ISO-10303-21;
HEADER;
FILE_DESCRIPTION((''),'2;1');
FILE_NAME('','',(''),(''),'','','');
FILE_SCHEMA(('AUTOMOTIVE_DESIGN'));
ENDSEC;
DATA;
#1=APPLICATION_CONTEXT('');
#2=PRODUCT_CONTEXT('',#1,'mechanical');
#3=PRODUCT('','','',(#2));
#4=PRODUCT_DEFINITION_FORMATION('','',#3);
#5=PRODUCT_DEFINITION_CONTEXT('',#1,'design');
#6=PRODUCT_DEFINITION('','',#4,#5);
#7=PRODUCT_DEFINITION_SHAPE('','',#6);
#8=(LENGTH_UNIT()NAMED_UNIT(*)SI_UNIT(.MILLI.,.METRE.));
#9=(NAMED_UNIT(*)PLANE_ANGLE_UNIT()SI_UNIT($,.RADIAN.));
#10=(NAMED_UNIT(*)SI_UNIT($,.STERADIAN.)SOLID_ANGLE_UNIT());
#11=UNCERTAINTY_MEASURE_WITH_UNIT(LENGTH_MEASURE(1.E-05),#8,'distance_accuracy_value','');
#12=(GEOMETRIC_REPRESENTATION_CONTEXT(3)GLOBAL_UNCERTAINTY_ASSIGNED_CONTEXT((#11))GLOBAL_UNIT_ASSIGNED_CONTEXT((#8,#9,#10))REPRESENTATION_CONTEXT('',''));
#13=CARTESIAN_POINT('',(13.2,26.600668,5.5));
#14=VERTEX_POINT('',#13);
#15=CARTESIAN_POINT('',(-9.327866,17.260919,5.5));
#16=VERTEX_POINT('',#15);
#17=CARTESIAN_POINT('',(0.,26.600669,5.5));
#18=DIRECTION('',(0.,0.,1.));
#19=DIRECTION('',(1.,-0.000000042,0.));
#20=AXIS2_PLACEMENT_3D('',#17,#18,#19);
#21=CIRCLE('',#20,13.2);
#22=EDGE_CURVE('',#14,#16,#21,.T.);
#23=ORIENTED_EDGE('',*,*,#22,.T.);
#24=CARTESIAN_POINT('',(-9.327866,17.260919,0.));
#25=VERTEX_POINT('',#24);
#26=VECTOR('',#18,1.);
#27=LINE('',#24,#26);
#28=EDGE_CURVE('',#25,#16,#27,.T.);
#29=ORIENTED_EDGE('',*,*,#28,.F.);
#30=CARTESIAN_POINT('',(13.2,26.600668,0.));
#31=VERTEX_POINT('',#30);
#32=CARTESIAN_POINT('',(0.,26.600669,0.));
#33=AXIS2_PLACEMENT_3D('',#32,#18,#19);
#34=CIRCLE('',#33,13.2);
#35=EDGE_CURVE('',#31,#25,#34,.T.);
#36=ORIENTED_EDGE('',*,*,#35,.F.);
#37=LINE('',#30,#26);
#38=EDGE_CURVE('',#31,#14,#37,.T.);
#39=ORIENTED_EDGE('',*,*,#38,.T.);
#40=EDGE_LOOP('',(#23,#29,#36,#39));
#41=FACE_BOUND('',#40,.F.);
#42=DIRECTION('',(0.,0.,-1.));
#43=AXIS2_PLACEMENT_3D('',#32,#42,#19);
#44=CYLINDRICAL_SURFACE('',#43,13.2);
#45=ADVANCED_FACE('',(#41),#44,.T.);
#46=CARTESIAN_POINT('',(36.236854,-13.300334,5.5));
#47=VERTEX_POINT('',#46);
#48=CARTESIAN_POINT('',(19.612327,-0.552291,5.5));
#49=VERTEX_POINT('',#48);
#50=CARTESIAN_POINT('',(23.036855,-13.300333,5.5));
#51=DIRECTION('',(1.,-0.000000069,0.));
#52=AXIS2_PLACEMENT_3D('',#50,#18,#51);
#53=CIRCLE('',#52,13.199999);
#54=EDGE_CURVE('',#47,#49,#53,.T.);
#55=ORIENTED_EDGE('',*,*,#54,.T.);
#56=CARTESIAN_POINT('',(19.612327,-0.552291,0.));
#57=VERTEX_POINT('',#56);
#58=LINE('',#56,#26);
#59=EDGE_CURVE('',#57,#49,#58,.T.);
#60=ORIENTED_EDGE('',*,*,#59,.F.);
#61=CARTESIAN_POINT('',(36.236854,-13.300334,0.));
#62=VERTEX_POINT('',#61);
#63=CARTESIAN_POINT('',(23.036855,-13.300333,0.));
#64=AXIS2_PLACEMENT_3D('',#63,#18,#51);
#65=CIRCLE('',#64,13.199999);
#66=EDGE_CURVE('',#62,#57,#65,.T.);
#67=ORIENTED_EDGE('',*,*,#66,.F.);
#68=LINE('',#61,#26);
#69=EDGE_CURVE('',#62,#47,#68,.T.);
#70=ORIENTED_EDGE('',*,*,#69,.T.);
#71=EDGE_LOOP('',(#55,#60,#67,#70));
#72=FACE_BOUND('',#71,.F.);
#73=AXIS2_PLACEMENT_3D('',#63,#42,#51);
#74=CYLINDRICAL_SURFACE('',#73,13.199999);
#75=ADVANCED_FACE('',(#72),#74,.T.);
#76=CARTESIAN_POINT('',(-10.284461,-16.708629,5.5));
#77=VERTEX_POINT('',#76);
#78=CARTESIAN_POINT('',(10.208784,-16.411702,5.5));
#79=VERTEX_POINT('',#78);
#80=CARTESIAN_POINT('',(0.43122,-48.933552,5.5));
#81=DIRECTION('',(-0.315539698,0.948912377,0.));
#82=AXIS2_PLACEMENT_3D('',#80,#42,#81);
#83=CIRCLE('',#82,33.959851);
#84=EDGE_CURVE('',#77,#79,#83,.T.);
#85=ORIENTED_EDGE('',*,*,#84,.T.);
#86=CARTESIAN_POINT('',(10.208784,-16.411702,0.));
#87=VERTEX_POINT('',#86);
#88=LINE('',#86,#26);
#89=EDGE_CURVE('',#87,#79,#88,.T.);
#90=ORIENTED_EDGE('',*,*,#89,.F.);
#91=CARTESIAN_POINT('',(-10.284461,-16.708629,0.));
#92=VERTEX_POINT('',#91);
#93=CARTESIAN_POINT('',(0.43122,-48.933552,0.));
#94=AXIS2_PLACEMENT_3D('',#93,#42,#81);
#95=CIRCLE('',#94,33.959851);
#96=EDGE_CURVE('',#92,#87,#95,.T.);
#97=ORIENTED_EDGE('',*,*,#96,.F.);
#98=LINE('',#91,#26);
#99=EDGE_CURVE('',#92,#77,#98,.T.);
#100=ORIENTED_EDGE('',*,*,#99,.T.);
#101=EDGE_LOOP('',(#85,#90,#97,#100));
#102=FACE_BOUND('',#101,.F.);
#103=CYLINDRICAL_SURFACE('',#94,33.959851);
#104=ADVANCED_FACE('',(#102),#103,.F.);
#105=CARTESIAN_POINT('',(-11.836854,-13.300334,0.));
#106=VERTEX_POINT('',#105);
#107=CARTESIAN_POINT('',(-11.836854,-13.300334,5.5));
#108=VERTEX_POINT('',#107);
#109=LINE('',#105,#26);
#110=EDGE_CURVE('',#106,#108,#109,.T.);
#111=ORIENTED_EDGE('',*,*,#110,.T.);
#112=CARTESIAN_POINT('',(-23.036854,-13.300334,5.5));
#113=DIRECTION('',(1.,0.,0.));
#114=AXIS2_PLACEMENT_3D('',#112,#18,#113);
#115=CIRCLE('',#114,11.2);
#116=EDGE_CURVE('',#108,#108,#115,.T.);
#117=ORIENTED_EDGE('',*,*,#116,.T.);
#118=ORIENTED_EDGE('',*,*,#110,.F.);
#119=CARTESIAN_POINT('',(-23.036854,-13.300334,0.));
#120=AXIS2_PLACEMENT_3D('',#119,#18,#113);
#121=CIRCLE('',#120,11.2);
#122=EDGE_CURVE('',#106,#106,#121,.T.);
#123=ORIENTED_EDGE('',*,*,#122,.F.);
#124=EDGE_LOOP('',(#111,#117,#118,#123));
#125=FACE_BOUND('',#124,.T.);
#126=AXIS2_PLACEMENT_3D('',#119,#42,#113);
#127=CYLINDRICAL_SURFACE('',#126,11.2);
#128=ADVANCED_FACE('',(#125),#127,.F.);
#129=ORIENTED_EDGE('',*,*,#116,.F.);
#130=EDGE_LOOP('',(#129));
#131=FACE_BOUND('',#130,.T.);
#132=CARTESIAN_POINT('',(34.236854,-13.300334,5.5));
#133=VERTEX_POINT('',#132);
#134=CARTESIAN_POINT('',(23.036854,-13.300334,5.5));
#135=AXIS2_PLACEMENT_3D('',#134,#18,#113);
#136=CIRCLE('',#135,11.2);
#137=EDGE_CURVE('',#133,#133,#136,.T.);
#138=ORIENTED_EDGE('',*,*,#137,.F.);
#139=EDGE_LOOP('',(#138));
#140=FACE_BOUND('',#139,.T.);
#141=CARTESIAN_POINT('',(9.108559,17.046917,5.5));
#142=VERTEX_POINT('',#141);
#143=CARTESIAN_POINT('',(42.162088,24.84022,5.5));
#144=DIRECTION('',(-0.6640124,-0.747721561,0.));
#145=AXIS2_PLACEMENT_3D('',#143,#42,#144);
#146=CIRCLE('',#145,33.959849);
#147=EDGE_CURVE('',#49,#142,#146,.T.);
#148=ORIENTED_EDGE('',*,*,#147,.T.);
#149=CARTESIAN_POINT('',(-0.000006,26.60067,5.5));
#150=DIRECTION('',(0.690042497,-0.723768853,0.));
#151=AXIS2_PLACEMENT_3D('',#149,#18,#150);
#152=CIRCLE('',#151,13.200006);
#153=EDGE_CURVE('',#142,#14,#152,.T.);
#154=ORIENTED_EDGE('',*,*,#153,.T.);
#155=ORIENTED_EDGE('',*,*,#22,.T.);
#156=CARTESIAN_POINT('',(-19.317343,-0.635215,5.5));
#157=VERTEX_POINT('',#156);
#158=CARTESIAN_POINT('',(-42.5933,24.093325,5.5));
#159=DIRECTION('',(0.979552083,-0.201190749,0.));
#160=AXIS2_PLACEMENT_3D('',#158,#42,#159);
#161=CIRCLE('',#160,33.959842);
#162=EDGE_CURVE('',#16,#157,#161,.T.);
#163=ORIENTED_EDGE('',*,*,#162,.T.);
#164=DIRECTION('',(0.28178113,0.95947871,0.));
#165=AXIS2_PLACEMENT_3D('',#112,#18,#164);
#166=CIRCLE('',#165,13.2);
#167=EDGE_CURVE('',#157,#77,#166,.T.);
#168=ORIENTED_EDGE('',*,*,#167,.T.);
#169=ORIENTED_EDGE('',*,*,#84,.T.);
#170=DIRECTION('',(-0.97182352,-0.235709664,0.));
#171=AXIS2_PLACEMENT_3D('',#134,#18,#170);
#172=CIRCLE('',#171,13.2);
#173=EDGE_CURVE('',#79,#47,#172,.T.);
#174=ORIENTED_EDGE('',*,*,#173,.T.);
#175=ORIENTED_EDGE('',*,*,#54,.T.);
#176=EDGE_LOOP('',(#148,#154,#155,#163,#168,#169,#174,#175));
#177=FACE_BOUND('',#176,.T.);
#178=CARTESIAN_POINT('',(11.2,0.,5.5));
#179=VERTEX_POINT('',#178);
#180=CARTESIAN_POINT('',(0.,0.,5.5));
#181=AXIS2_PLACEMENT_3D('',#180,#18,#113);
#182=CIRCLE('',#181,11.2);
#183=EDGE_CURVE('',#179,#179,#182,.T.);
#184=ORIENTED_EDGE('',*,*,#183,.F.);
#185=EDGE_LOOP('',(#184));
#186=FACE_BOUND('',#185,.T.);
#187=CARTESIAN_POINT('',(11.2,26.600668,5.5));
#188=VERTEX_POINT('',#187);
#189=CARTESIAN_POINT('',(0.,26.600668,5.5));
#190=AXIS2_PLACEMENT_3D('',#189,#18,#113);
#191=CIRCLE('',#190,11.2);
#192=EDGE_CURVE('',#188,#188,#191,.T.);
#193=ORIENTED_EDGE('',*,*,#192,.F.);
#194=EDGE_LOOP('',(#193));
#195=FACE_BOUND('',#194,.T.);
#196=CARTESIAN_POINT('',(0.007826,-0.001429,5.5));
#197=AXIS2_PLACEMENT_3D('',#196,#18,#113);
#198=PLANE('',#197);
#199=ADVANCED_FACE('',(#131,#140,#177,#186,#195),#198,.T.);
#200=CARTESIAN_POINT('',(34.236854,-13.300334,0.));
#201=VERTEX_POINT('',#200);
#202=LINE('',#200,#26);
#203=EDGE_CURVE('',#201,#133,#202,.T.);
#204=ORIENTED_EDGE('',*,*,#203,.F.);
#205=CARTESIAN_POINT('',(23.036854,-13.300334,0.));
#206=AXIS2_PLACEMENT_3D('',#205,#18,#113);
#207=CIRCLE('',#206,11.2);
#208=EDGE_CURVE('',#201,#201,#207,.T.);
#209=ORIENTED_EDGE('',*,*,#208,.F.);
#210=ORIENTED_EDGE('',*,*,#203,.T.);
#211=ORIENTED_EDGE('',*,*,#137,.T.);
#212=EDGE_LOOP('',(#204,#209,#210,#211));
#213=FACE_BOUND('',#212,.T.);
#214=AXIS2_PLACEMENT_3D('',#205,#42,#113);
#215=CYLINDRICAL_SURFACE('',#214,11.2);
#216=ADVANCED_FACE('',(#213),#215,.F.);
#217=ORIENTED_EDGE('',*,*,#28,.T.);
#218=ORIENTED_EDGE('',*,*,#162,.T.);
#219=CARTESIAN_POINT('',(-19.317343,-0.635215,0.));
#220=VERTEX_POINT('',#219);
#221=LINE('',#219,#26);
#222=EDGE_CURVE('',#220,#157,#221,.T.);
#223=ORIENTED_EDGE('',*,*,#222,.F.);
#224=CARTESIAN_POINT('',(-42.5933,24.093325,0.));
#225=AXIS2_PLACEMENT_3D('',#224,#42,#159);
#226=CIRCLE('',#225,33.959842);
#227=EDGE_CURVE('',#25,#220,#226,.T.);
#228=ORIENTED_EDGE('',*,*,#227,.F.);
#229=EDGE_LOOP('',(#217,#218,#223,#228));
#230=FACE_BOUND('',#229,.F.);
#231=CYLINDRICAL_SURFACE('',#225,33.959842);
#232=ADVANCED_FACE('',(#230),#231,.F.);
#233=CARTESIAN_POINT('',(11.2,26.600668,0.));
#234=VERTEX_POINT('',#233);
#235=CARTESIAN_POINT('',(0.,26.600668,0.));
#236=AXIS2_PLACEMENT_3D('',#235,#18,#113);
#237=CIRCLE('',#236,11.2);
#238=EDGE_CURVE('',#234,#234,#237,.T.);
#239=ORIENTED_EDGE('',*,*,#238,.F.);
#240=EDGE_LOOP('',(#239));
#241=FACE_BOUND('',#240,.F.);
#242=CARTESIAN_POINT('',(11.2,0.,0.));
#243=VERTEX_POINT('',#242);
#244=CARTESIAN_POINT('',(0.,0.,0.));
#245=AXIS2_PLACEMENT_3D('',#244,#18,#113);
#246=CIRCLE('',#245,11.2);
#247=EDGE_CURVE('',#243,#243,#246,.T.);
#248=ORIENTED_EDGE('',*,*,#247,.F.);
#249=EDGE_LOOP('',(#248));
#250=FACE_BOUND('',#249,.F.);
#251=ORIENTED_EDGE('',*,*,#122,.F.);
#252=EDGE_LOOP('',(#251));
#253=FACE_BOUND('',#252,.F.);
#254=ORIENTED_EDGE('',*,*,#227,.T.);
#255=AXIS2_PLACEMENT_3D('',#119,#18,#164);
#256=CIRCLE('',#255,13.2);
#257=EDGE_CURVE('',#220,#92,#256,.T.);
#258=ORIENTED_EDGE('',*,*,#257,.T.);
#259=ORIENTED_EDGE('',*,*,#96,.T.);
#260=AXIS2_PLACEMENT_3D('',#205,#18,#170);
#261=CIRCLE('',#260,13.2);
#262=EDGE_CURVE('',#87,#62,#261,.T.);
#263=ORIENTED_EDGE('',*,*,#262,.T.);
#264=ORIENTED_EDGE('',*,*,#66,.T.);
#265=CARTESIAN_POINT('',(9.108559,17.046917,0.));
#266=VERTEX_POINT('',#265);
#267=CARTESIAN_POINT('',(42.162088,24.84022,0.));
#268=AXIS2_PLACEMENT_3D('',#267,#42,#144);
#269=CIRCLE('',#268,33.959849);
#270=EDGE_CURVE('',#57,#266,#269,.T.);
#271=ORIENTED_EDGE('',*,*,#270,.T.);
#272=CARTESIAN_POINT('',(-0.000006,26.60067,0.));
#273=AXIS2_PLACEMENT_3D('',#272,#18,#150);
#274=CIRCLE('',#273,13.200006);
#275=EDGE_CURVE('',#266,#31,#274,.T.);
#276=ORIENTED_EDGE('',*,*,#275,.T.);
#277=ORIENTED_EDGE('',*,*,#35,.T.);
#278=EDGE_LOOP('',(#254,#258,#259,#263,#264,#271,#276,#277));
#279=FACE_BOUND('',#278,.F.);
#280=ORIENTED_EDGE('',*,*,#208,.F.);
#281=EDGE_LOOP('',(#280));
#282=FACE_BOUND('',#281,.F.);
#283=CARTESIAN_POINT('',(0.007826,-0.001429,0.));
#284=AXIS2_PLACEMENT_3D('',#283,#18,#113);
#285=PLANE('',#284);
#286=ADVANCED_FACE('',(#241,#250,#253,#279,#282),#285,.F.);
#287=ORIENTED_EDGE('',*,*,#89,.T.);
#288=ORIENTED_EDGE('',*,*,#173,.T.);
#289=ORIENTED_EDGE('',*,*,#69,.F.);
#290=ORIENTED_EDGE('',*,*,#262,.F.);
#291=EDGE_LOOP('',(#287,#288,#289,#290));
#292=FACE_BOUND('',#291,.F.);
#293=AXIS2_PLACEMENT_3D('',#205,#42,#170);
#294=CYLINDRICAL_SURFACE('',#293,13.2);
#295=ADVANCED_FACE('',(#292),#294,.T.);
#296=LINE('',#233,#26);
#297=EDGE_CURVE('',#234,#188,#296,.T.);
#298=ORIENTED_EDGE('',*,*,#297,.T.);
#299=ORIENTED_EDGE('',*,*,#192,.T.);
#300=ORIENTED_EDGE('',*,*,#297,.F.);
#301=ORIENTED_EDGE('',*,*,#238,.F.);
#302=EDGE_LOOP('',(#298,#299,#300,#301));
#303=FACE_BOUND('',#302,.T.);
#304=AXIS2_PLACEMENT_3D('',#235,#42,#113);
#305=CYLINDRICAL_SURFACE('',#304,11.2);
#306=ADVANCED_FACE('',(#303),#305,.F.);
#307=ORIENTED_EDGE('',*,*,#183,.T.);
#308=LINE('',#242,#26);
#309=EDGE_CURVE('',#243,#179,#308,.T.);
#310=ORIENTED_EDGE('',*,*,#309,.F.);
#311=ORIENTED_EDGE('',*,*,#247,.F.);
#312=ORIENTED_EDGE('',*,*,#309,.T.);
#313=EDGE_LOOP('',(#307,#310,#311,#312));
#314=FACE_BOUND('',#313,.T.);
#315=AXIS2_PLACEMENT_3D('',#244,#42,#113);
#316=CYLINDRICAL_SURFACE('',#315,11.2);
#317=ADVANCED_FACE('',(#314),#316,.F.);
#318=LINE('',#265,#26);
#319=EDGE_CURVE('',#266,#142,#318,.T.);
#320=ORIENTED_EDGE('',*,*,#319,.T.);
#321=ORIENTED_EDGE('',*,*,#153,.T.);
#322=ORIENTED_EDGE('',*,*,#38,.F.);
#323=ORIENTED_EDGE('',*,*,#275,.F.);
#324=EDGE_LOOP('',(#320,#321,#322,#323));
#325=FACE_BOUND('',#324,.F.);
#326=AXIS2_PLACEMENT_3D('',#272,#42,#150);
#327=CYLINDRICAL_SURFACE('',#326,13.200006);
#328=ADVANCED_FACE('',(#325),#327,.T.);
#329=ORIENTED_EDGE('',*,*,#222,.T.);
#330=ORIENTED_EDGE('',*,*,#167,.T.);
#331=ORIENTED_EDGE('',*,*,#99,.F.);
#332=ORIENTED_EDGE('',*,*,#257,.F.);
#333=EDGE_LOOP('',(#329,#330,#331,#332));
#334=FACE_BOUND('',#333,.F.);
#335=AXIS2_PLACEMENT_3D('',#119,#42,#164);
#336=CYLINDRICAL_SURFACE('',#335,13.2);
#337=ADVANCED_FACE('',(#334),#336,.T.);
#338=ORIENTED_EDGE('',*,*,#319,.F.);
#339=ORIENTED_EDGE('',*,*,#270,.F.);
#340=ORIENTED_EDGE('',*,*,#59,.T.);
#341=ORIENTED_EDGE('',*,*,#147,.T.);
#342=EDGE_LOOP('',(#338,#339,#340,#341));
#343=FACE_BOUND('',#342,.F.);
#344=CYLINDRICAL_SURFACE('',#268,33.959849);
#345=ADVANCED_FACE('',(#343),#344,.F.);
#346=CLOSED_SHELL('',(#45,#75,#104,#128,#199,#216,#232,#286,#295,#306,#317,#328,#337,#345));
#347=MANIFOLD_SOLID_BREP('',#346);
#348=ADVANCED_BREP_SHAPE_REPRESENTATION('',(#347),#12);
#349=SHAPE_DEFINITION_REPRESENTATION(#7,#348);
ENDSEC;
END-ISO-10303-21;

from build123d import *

# Parameters (mm, degrees)
F0_R     = 11.2
F1_DEPTH = 5.5


with BuildPart() as f1:
    # F0 (on Top) → F1 (new body)
    with BuildSketch(Plane.XY):
        with BuildLine():
            ThreePointArc((9.108559, 17.046917), (-0.153209, 13.401557), (-9.327866, 17.260919))
            ThreePointArc((-9.327866, 17.260919), (-12.940305, 7.541263), (-19.317343, -0.635215))
            ThreePointArc((-19.317343, -0.635215), (-12.46951, -5.390137), (-9.836854, -13.300334))
            ThreePointArc((-9.836854, -13.300334), (-9.949235, -15.019114), (-10.284461, -16.708629))
            ThreePointArc((-10.284461, -16.708629), (-0.060773, -14.977265), (10.208784, -16.411702))
            ThreePointArc((10.208784, -16.411702), (11.682694, -6.568096), (19.612327, -0.552291))
            ThreePointArc((19.612327, -0.552291), (13.001078, 7.436001), (9.108559, 17.046917))
        make_face()
        Circle(F0_R, mode=Mode.SUBTRACT)
        with BuildLine():
            ThreePointArc((36.236854, -13.300334), (31.069172, -2.825513), (19.612327, -0.552291))
            ThreePointArc((19.612327, -0.552291), (11.682694, -6.568096), (10.208784, -16.411702))
            ThreePointArc((10.208784, -16.411702), (24.603614, -26.407022), (36.236854, -13.300334))
        make_face()
        with Locations((23.036854, -13.300334)):
            Circle(F0_R, mode=Mode.SUBTRACT)
        with BuildLine():
            ThreePointArc((9.108559, 17.046917), (12.134104, 21.404178), (13.2, 26.600668))
            ThreePointArc((13.2, 26.600668), (-5.055303, 38.79427), (-9.327866, 17.260919))
            ThreePointArc((-9.327866, 17.260919), (-0.153209, 13.401557), (9.108559, 17.046917))
        make_face()
        with Locations((0, 26.600668)):
            Circle(F0_R, mode=Mode.SUBTRACT)
        with BuildLine():
            ThreePointArc((-9.836854, -13.300334), (-12.46951, -5.390137), (-19.317343, -0.635215))
            ThreePointArc((-19.317343, -0.635215), (-34.544224, -19.767206), (-10.284461, -16.708629))
            ThreePointArc((-10.284461, -16.708629), (-9.949235, -15.019114), (-9.836854, -13.300334))
        make_face()
        with Locations((-23.036854, -13.300334)):
            Circle(F0_R, mode=Mode.SUBTRACT)
    extrude(amount=F1_DEPTH)


solid = f1.part
